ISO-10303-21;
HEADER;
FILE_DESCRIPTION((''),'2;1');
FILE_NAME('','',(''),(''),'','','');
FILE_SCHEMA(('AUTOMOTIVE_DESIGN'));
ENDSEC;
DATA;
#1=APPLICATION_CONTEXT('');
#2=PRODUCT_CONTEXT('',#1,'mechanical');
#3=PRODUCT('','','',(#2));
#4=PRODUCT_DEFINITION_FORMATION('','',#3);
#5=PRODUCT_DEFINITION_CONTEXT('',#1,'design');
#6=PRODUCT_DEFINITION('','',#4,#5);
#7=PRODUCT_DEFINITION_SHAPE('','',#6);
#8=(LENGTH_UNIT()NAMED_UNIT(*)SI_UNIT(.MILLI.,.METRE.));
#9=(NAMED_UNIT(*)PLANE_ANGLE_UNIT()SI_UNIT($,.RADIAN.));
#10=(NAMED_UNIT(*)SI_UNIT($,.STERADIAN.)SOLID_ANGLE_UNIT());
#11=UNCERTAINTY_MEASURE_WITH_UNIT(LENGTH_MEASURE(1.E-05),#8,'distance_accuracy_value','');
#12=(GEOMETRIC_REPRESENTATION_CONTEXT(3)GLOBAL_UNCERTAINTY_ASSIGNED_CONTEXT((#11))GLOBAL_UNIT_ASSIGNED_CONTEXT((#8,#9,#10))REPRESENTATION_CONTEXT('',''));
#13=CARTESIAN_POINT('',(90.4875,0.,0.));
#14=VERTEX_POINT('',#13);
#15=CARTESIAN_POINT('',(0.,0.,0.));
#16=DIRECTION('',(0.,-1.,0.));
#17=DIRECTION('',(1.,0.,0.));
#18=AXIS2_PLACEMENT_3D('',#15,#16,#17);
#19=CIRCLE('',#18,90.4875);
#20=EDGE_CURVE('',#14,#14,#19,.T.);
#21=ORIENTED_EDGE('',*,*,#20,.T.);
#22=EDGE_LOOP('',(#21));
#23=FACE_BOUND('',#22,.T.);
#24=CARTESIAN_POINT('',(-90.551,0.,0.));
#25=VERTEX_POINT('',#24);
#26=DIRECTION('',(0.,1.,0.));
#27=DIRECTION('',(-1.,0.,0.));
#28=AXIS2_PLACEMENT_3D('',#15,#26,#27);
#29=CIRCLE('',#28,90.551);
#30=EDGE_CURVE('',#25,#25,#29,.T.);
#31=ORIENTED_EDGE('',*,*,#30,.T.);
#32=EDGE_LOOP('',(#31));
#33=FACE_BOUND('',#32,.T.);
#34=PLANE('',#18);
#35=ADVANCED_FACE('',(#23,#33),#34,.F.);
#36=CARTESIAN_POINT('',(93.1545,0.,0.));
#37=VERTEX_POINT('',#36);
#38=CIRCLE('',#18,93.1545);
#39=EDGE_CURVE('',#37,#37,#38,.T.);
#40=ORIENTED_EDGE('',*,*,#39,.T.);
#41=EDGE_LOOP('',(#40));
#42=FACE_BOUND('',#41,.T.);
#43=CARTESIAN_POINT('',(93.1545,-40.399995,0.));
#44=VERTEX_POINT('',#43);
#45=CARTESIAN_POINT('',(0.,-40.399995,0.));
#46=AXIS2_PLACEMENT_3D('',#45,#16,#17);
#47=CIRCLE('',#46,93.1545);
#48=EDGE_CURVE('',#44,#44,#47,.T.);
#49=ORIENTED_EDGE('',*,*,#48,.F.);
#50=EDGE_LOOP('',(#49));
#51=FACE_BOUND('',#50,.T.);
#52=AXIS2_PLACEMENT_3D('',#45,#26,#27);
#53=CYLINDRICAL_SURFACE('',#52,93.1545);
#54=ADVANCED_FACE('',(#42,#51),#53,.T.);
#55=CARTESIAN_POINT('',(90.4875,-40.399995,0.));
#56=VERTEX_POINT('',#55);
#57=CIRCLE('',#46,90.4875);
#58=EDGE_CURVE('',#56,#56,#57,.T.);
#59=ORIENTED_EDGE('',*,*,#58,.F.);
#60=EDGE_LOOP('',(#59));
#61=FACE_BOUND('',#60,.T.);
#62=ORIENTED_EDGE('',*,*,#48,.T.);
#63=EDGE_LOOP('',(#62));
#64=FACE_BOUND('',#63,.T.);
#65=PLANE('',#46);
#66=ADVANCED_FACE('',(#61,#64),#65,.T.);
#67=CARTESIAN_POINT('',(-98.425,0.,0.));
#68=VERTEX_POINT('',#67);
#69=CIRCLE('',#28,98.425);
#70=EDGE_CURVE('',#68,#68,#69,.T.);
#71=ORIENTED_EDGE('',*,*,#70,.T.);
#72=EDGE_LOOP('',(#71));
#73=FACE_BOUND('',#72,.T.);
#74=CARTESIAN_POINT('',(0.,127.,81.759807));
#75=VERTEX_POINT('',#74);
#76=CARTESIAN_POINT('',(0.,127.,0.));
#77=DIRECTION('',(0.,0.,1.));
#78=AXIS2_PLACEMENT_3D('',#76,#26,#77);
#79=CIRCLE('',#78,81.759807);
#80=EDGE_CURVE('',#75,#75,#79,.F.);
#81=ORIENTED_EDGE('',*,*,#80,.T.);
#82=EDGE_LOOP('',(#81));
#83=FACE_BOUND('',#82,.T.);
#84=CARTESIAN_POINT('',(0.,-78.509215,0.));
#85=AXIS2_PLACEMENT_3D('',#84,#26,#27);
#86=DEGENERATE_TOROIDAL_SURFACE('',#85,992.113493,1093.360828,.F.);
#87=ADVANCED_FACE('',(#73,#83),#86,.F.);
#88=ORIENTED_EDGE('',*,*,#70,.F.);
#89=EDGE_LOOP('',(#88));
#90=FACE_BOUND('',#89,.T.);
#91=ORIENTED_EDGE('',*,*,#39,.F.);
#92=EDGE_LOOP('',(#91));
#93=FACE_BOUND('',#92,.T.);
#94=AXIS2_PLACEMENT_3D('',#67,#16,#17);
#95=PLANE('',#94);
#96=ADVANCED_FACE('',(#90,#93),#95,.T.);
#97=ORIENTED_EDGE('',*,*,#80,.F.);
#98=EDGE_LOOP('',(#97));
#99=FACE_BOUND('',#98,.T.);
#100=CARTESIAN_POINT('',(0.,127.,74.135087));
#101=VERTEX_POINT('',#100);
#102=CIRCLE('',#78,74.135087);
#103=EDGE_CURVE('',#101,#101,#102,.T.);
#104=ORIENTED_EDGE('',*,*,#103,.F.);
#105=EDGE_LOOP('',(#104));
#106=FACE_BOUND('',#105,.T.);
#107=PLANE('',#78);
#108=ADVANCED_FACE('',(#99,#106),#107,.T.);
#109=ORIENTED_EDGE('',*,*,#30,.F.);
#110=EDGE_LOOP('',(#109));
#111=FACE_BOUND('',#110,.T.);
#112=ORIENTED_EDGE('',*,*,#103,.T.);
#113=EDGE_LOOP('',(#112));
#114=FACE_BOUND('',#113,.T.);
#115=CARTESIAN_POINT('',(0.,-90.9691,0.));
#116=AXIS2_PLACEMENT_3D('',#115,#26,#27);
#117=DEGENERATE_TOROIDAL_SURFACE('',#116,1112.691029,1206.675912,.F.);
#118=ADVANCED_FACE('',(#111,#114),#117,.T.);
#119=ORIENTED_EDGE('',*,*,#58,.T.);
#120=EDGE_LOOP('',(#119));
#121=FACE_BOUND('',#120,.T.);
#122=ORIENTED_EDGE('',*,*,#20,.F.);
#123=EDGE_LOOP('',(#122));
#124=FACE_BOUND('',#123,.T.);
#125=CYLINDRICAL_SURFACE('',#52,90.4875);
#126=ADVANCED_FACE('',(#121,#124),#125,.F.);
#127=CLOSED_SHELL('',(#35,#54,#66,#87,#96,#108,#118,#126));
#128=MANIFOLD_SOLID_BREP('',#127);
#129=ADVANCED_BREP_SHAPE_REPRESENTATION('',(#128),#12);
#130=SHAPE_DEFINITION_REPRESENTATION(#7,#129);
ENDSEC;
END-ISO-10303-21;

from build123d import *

# Parameters (mm, degrees)
SKETCH4_R           = 93.1545
SKETCH4_R_2         = 90.4875
BOSS_EXTRUDE2_DEPTH = 40.3999954
SKETCH7_R           = 317.5
CUT_EXTRUDE2_DEPTH  = 254


with BuildPart() as part:
    # Sketch2 → Revolve1 (revolve)
    with BuildSketch(Plane.XY):
        with BuildLine():
            Line((-98.425, 0), (-90.551, 0))
            ThreePointArc((-90.551, 0), (-60.43106349, 191.610647557), (0, 375.92))
            Line((0, 375.92), (0, 381))
            ThreePointArc((0, 381), (-66.494117829, 194.964417939), (-98.425, 0))
        make_face()
    revolve(axis=Axis((0, 381, 0), (0, -1, 0)))

    # Sketch4 → Boss-Extrude2 (add)
    with BuildSketch(Plane(origin=(0, 0, 0), x_dir=(-1, 0, 0), z_dir=(0, -1, 0))):
        Circle(SKETCH4_R)
        Circle(SKETCH4_R_2, mode=Mode.SUBTRACT)
    extrude(amount=BOSS_EXTRUDE2_DEPTH)

    # Sketch7 → Cut-Extrude2 (cut)
    with BuildSketch(Plane(origin=(0, 381, 0), x_dir=(1, 0, 0), z_dir=(0, 1, 0))):
        Circle(SKETCH7_R)
    extrude(amount=-CUT_EXTRUDE2_DEPTH, mode=Mode.SUBTRACT)


solid = part.part
